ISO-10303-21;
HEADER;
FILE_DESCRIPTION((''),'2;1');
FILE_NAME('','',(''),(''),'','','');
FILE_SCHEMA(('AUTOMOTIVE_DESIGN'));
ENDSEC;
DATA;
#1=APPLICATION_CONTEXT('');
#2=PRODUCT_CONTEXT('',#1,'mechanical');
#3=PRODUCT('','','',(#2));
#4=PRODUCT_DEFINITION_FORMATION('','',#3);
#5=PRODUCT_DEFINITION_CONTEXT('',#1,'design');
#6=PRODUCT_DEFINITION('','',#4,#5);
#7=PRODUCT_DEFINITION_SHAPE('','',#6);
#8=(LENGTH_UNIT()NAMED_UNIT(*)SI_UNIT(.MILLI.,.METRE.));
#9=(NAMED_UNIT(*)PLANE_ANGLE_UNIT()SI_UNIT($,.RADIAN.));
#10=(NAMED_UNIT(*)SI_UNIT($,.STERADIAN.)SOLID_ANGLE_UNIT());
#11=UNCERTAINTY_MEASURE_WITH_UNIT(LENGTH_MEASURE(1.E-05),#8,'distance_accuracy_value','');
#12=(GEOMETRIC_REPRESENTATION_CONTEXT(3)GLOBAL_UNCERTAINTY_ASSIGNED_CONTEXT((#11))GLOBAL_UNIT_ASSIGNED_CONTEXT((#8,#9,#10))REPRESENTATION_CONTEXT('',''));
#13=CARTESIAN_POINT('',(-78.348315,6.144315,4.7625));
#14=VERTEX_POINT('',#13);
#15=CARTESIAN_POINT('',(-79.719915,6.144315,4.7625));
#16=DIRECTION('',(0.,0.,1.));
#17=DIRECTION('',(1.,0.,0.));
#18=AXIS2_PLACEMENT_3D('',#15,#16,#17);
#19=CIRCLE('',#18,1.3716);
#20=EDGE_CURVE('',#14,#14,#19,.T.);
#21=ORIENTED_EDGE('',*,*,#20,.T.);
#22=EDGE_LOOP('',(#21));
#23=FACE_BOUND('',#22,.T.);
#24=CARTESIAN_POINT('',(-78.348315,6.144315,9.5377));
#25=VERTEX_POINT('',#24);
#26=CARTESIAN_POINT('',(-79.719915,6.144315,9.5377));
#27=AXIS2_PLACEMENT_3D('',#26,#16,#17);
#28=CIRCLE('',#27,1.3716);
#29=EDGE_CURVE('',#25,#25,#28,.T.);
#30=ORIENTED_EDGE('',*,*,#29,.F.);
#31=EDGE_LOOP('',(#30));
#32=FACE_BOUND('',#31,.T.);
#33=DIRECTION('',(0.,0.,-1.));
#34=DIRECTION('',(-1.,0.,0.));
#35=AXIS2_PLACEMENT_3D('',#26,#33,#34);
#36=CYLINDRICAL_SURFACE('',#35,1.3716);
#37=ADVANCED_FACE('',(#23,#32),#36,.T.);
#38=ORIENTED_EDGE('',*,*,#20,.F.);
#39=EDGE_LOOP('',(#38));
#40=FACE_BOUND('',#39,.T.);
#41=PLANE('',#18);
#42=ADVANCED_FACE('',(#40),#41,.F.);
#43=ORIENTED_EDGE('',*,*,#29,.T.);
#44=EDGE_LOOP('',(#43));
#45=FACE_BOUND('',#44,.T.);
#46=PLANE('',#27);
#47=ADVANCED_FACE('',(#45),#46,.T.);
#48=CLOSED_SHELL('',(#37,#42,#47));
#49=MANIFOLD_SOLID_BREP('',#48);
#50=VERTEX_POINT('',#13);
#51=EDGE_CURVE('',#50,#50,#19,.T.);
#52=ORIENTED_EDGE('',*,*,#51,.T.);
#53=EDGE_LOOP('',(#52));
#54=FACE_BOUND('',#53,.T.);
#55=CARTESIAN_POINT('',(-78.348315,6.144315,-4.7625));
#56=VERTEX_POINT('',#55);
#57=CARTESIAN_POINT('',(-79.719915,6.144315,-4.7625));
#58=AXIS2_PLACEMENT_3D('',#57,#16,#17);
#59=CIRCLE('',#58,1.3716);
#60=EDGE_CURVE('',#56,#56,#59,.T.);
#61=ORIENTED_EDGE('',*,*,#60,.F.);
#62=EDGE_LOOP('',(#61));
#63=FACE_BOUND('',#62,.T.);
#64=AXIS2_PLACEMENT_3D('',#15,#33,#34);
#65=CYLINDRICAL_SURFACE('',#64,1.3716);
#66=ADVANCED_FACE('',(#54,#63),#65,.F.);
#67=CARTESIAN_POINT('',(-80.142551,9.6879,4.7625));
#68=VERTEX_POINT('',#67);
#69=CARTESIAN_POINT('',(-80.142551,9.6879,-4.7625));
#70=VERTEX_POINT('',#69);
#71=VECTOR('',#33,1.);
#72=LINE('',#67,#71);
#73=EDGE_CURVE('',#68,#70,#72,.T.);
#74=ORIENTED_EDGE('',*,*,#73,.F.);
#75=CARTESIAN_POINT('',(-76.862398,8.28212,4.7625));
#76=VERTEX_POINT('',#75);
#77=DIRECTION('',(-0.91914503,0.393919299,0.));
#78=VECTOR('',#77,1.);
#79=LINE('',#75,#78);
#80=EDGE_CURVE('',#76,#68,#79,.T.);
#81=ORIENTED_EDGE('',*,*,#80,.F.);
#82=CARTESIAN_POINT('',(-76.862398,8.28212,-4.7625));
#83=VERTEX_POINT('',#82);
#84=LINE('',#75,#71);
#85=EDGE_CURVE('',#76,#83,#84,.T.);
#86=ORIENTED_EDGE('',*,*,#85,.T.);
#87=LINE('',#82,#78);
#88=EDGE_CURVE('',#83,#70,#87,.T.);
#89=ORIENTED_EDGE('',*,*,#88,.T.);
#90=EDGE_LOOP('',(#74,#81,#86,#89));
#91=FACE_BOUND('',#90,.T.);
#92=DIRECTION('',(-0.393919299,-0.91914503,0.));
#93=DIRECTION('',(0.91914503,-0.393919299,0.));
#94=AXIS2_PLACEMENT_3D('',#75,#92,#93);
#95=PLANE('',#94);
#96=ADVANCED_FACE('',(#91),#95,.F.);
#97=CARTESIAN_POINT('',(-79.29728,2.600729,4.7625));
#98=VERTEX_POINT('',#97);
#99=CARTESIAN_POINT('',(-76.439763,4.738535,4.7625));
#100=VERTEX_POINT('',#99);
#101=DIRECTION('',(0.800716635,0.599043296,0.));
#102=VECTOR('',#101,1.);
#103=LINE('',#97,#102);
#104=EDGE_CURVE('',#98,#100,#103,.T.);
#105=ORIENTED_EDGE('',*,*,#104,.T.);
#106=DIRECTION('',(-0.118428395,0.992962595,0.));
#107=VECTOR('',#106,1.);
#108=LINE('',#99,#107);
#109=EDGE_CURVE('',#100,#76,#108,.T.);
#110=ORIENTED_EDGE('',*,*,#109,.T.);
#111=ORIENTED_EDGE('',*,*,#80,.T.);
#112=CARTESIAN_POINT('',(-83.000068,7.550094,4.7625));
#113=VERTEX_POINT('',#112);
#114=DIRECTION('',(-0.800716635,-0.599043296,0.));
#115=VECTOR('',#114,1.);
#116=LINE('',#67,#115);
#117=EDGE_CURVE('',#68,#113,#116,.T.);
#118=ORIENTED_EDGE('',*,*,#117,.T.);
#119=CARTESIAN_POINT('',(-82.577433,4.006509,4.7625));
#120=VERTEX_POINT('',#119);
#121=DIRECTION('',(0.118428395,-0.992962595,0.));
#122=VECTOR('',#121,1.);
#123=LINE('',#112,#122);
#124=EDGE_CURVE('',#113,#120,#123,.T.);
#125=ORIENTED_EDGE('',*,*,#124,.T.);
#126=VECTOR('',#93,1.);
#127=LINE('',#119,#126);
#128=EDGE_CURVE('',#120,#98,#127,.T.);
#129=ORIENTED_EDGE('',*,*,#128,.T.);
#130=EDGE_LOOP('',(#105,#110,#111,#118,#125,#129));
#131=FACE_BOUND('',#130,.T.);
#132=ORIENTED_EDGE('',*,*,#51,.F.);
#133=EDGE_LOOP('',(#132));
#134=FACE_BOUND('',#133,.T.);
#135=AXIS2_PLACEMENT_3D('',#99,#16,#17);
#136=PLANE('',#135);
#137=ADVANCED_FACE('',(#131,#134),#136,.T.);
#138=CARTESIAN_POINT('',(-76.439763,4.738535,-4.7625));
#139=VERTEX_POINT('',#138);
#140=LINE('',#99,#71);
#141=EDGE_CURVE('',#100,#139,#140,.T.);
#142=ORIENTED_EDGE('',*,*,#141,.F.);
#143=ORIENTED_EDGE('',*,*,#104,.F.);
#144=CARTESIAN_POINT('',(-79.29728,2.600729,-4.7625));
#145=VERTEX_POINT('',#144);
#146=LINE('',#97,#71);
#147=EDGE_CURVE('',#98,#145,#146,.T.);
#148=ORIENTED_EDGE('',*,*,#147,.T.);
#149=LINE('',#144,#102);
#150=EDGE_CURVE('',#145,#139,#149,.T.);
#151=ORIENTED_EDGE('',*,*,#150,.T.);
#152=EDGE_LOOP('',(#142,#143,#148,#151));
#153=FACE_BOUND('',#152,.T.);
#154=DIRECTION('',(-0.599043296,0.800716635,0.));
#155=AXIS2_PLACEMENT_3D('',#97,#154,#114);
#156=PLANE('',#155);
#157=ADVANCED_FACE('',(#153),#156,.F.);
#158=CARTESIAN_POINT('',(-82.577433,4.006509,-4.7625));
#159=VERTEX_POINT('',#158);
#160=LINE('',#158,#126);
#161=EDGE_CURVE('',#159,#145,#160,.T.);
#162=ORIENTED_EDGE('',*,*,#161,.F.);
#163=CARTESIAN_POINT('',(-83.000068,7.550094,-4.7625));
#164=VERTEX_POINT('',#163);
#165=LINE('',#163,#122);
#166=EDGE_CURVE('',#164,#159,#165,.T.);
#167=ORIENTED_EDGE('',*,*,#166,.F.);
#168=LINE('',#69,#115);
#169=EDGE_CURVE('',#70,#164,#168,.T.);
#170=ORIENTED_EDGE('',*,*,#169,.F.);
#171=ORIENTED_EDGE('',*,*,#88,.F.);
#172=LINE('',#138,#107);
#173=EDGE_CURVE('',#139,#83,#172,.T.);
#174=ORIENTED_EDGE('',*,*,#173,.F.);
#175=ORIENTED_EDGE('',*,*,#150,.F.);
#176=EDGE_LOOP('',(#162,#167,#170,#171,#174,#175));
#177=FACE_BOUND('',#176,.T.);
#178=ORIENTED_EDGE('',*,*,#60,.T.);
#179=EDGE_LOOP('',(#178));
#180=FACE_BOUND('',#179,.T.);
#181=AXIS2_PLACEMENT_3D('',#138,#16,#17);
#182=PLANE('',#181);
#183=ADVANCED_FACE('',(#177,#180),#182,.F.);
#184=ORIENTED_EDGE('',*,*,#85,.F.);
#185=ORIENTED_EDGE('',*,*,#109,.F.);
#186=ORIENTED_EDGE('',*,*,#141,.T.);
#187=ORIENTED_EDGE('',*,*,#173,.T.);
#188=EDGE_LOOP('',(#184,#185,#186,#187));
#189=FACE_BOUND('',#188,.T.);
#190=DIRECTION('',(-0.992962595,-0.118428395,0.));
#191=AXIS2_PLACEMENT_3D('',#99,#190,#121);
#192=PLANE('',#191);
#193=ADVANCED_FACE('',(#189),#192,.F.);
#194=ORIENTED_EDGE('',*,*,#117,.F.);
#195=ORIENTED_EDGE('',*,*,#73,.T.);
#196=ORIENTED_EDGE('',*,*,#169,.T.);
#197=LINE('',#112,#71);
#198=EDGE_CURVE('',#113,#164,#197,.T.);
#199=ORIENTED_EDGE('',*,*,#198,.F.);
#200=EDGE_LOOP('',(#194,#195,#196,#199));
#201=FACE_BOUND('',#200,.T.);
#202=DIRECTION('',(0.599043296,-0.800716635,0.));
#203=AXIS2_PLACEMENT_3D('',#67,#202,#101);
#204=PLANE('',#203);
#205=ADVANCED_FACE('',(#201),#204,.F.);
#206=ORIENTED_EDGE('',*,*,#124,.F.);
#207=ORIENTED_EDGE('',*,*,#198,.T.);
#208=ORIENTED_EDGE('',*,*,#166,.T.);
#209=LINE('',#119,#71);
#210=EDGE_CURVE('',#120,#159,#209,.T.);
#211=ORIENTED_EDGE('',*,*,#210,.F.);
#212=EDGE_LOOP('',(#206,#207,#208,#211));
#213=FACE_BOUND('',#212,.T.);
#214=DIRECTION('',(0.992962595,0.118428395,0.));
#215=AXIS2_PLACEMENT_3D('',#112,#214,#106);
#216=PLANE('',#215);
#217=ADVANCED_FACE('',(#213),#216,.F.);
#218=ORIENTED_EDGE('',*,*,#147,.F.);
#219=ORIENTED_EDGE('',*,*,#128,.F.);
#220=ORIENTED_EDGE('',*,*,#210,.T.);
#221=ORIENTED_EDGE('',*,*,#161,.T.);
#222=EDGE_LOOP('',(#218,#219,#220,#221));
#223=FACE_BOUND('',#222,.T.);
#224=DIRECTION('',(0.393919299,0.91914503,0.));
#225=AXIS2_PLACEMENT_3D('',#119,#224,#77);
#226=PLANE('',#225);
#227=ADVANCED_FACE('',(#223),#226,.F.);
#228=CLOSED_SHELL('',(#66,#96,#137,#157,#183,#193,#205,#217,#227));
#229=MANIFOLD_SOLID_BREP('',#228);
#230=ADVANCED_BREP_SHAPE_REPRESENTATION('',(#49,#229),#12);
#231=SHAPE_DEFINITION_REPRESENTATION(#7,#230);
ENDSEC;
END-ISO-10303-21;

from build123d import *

# Parameters (mm, degrees)
SKETCH7_R           = 1.3716
BOSS_EXTRUDE4_DEPTH = 4.7625
SKETCH8_R           = 1.3716
BOSS_EXTRUDE5_DEPTH = 4.7752


with BuildPart() as part:
    # Sketch7 → Boss-Extrude4 (new, symmetric)
    with BuildSketch(Plane.XY):
        Polygon((-76.439762625, 4.738534743), (-76.86239804, 8.282120356), (-80.142550908, 9.687900156), (-83.000068362, 7.550094344), (-82.577432948, 4.006508731), (-79.297280079, 2.600728931), align=None)
        with Locations((-79.719915494, 6.144314544)):
            Circle(SKETCH7_R, mode=Mode.SUBTRACT)
    extrude(amount=BOSS_EXTRUDE4_DEPTH, both=True)


with BuildPart() as body_2:
    # Sketch8 → Boss-Extrude5 (new body)
    with BuildSketch(Plane.XY.offset(4.7625)):
        with Locations((-79.719915494, 6.144314544)):
            Circle(SKETCH8_R)
    extrude(amount=BOSS_EXTRUDE5_DEPTH)


solid = Compound([part.part, body_2.part])
